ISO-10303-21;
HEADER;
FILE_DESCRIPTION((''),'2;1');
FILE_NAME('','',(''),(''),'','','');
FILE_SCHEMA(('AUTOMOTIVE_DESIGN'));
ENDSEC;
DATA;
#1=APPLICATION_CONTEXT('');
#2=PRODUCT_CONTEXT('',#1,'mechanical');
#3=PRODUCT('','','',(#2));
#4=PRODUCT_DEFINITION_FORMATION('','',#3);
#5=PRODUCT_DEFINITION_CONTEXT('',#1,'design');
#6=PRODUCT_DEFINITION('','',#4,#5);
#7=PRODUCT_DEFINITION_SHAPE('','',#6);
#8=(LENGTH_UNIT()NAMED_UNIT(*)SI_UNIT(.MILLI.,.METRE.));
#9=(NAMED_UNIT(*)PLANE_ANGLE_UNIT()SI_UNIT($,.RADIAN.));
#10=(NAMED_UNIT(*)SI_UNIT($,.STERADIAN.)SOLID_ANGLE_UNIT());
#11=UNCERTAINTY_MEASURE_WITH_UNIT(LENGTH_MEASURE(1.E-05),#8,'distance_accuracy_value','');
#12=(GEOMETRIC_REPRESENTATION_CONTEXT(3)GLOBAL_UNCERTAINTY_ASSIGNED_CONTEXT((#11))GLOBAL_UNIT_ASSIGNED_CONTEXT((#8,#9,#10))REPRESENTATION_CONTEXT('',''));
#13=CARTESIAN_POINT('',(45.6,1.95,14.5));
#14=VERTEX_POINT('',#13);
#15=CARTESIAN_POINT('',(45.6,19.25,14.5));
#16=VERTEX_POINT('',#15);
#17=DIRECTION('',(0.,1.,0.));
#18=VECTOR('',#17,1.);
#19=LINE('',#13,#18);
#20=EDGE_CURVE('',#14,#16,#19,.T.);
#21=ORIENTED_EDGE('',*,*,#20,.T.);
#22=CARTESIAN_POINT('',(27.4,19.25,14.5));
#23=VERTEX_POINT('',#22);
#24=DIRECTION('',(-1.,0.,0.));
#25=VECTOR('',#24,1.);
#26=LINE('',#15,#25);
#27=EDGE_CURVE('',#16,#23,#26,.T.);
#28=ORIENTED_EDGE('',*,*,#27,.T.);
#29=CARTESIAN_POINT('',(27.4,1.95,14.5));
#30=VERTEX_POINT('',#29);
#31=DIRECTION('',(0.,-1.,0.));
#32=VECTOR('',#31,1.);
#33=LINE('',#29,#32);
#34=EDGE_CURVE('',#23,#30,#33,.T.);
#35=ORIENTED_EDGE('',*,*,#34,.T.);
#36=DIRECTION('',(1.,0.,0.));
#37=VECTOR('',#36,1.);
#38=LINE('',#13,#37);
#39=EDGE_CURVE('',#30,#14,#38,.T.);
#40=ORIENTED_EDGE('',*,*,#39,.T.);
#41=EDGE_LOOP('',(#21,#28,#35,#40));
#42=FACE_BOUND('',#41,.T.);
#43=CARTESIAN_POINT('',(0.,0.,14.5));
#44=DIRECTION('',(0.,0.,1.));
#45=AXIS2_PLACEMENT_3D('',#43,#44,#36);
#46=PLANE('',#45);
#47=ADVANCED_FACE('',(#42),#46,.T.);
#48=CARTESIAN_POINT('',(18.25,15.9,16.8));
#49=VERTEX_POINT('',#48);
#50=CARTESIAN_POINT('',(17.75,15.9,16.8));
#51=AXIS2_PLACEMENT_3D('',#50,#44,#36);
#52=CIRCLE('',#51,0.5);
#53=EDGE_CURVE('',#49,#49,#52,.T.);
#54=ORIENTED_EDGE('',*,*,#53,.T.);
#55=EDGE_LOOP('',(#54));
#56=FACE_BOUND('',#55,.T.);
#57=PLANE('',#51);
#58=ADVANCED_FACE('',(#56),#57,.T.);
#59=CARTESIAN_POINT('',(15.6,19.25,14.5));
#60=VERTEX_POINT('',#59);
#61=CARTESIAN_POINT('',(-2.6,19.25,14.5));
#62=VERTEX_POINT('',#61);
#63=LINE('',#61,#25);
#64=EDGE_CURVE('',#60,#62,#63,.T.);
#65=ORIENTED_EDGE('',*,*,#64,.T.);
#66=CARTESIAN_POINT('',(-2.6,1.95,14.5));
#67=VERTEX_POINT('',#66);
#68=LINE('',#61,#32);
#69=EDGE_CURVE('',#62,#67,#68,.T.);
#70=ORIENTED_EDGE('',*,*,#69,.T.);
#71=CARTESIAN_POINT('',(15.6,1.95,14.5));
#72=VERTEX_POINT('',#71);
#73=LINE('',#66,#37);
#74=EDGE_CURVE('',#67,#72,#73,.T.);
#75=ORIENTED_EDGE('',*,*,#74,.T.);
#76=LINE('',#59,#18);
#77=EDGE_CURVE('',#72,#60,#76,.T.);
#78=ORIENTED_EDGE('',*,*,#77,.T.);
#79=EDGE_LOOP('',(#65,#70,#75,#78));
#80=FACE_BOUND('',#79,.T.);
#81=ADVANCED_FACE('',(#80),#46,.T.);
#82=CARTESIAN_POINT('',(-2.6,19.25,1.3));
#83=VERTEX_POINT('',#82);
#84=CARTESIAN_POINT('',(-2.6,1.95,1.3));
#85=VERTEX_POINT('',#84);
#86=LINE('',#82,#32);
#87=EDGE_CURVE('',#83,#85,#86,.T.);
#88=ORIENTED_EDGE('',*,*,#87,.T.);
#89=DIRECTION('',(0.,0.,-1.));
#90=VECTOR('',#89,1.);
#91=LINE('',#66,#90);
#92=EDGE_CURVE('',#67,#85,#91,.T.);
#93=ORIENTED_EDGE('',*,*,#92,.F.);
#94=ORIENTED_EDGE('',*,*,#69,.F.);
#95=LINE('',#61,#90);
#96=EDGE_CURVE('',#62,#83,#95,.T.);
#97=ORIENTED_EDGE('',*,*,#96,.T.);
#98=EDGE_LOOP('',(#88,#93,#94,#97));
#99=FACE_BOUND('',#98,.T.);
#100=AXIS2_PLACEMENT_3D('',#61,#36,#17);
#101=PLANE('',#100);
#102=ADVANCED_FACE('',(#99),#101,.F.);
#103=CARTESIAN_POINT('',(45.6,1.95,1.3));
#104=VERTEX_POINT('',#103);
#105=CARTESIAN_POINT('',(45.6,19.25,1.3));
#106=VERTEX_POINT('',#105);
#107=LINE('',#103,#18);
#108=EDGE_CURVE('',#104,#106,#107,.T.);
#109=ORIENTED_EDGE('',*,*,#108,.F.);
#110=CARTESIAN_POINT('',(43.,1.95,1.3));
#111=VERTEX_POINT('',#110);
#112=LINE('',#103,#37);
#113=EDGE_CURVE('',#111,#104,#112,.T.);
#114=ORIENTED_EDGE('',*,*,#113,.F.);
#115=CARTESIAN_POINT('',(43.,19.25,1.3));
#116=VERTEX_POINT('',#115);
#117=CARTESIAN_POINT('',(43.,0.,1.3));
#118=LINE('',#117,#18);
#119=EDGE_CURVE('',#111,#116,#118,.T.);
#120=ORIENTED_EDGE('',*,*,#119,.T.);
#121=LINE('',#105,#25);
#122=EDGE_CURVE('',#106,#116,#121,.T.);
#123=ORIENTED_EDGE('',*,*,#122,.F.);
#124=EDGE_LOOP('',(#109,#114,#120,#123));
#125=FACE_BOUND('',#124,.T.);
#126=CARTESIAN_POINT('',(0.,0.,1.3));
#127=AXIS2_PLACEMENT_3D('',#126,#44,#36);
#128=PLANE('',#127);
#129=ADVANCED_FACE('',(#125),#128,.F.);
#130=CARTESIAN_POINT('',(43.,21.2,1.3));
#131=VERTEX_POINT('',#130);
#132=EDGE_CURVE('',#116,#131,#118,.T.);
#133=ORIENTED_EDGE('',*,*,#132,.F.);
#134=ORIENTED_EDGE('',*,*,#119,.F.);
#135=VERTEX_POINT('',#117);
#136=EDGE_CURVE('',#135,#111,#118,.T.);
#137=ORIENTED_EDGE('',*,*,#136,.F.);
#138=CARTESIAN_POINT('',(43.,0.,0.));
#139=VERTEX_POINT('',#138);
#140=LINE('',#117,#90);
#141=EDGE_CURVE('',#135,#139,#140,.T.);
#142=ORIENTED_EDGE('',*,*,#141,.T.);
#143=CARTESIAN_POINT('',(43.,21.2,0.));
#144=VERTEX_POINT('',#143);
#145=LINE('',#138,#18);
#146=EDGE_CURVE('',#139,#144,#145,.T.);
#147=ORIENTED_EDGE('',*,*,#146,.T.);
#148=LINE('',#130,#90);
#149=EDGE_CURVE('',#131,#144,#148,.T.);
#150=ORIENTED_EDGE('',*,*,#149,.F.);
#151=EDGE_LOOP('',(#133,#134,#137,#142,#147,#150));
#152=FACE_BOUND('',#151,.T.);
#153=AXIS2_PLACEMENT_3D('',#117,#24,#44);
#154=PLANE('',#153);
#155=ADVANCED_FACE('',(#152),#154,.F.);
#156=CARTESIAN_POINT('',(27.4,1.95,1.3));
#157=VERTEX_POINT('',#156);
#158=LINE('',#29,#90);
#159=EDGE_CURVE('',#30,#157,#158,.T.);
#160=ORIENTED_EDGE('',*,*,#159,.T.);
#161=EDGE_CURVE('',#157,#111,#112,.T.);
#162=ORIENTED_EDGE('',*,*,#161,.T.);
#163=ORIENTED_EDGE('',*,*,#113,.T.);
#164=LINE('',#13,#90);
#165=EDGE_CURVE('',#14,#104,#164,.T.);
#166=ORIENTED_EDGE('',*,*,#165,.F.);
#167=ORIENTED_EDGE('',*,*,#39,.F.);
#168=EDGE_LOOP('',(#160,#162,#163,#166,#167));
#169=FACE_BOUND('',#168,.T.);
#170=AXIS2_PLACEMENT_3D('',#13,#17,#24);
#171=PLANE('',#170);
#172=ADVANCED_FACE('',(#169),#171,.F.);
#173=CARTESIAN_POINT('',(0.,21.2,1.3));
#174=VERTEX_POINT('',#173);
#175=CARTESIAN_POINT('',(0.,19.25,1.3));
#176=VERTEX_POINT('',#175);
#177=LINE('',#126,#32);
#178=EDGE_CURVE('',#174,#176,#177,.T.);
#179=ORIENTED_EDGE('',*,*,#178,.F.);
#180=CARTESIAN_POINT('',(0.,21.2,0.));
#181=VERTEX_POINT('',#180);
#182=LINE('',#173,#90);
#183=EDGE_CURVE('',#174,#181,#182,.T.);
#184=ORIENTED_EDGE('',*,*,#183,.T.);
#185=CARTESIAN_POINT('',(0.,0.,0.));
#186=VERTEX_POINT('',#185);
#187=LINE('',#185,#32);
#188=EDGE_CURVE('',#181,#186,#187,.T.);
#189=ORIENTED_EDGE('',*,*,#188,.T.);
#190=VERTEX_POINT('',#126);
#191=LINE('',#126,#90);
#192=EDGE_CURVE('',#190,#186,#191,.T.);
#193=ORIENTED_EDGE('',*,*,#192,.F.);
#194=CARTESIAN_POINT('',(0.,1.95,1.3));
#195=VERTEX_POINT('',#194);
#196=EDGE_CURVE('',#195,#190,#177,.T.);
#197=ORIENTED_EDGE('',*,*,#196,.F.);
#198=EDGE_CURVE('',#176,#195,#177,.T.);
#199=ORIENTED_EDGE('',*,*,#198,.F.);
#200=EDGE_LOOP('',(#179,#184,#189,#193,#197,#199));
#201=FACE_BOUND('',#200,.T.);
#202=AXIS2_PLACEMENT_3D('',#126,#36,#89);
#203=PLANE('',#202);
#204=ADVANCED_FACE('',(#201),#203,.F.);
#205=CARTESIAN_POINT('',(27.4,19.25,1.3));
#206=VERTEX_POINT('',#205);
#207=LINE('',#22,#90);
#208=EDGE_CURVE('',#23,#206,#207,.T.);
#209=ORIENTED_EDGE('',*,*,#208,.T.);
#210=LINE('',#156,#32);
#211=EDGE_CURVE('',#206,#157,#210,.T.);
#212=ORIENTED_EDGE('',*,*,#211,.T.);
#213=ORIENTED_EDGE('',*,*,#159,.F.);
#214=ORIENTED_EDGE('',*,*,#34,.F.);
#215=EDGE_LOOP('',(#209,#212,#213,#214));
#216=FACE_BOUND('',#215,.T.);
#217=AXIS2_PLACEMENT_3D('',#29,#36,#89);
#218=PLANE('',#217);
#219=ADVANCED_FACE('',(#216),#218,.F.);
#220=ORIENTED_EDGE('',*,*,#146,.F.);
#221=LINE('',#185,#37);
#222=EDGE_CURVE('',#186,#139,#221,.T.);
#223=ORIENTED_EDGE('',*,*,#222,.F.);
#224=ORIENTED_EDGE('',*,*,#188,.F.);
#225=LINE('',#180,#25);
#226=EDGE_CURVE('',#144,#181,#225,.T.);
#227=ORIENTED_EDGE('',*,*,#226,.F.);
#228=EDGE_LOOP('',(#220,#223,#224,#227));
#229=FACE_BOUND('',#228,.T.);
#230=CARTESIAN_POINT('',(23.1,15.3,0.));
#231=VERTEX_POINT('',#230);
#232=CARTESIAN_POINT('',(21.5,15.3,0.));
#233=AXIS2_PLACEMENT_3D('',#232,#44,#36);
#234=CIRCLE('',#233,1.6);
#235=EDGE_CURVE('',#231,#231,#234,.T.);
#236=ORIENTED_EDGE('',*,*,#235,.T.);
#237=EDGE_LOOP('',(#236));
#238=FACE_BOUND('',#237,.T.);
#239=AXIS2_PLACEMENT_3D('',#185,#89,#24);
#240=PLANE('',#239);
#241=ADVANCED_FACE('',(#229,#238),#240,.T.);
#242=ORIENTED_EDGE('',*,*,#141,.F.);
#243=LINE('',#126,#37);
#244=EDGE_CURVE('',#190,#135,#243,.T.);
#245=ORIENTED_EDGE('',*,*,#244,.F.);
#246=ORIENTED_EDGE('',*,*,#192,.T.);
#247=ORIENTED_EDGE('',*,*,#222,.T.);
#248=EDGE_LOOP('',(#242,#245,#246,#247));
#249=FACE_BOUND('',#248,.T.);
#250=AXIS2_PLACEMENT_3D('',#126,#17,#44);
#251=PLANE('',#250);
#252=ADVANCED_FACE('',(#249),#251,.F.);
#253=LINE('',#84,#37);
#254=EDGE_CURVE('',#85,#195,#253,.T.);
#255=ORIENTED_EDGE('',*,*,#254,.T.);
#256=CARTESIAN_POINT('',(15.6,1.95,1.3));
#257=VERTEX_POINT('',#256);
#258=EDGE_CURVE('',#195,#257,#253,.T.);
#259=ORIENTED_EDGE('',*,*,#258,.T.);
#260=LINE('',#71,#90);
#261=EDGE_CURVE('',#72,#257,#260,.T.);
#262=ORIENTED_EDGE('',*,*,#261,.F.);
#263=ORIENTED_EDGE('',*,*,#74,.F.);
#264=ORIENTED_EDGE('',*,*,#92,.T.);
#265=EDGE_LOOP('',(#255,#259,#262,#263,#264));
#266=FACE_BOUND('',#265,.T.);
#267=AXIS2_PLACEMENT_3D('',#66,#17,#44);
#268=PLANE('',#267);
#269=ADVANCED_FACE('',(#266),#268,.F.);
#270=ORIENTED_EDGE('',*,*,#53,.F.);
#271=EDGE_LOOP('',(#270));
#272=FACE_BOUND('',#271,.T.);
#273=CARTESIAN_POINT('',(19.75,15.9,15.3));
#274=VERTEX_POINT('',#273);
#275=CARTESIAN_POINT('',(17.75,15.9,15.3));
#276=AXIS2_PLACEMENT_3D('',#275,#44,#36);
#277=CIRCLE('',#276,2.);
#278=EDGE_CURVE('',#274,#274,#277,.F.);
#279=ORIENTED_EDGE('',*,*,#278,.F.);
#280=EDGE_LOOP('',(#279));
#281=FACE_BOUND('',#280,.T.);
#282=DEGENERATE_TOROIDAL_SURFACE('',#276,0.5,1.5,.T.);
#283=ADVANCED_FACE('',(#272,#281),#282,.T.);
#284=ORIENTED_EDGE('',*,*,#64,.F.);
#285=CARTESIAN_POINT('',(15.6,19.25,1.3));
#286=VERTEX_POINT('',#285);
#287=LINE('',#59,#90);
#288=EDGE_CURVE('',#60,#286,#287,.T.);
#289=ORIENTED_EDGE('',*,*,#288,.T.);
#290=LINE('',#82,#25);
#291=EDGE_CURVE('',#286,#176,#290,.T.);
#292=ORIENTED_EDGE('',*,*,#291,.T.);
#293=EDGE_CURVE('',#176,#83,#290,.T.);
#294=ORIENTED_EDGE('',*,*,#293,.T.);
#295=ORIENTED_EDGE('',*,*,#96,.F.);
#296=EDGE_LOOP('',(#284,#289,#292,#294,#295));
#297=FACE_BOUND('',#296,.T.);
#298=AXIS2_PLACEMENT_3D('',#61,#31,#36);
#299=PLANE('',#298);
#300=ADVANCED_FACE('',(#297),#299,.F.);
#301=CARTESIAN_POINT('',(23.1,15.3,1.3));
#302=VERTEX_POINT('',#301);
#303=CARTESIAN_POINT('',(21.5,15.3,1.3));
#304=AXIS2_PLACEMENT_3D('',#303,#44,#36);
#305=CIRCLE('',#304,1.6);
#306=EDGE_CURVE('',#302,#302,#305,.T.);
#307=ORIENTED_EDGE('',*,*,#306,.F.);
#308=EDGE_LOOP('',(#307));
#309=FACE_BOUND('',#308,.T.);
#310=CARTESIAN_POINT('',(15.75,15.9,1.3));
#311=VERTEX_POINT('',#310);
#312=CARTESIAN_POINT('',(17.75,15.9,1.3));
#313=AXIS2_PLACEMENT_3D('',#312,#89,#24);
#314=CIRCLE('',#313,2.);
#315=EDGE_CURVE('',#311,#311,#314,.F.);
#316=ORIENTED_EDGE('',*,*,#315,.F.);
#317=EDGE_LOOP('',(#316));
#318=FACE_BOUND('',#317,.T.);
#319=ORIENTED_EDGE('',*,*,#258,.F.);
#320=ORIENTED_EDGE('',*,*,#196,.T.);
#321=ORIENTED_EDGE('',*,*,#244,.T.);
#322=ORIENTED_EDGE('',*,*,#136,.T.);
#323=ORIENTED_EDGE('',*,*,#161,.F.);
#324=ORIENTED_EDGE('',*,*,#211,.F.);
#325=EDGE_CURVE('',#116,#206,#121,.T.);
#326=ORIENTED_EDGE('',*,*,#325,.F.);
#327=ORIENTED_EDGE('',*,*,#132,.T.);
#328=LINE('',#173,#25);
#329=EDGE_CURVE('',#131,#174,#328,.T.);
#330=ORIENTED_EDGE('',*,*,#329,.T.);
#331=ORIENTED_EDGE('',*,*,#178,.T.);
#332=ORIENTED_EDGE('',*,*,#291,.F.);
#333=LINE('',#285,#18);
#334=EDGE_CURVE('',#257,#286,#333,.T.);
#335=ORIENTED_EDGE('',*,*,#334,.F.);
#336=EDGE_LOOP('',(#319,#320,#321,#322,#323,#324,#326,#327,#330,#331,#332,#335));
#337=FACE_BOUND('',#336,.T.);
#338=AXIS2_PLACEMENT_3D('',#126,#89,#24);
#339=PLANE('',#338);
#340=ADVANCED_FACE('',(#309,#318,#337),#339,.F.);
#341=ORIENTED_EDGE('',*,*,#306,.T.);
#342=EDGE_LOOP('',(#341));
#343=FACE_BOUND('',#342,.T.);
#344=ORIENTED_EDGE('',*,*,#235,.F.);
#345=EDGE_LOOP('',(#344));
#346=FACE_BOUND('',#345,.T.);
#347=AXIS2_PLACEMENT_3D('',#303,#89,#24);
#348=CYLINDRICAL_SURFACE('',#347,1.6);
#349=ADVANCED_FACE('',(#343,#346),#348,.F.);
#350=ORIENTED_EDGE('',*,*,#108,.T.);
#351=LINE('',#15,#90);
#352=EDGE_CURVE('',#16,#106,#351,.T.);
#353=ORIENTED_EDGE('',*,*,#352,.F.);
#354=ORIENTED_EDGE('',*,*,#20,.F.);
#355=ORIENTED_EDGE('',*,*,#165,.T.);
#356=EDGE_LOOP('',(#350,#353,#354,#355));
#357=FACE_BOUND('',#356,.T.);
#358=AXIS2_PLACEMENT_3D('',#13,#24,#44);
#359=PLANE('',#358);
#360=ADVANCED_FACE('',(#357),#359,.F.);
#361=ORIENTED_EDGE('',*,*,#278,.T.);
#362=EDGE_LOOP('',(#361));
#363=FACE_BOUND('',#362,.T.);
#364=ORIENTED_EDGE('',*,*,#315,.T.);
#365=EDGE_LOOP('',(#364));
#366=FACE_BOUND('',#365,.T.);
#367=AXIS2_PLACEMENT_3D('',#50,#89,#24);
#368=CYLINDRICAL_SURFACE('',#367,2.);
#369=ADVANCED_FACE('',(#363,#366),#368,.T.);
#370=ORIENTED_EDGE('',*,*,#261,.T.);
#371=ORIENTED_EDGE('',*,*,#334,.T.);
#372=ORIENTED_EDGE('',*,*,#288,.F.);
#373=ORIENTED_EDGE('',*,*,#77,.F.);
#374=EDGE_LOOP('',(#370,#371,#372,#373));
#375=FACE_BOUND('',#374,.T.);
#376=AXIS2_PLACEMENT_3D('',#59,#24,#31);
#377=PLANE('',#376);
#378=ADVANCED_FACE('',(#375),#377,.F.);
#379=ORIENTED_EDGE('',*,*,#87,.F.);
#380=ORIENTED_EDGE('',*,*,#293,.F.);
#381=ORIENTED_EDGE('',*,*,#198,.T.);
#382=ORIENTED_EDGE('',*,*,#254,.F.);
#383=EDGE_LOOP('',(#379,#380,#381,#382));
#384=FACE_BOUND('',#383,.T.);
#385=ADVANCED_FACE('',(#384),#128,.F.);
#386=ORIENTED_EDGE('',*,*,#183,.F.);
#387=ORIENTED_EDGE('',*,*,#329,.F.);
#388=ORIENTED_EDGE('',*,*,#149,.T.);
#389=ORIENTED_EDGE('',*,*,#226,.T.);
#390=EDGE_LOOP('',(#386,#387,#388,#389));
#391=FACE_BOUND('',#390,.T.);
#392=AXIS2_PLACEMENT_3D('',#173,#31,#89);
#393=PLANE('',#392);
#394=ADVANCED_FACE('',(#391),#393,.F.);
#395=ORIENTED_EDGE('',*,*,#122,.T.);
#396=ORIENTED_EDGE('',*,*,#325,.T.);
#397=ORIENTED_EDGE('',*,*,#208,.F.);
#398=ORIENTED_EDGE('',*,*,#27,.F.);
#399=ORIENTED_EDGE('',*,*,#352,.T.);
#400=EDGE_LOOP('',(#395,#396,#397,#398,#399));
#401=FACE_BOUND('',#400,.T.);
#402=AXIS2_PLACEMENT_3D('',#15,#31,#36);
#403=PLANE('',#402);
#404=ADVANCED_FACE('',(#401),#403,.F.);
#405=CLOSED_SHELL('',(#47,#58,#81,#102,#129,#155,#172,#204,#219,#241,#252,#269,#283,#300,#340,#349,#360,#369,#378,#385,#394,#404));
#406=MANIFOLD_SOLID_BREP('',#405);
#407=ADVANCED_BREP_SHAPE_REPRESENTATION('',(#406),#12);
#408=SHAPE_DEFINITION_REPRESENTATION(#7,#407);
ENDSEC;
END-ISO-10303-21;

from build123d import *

# Parameters (mm, degrees)
SKETCH1_W           = 43
SKETCH1_H           = 21.2
SKETCH1_R           = 1.6
BOSS_EXTRUDE1_DEPTH = 1.3
SKETCH2_R           = 2
BOSS_EXTRUDE2_DEPTH = 15.5
FILLET1_R           = 1.5
SKETCH3_W           = 18.2
SKETCH3_H           = 17.3
BOSS_EXTRUDE3_DEPTH = 13.2


with BuildPart() as part:
    # Sketch1 → Boss-Extrude1 (new body)
    with BuildSketch(Plane.XY):
        with Locations((21.5, 10.6)):
            Rectangle(SKETCH1_W, SKETCH1_H)
        with Locations((21.5, 15.3)):
            Circle(SKETCH1_R, mode=Mode.SUBTRACT)
    extrude(amount=BOSS_EXTRUDE1_DEPTH)

    # Sketch2 → Boss-Extrude2 (add)
    with BuildSketch(Plane.XY.offset(1.3)):
        with Locations(Location((17.75, 15.9, 0), (0, 0, 180))):
            Circle(SKETCH2_R)
    extrude(amount=BOSS_EXTRUDE2_DEPTH)

    # Fillet1
    fillet1_edges = [part.edges().sort_by_distance(p)[0] for p in [
        (19.75, 15.9, 16.8),
    ]]
    fillet(fillet1_edges, radius=FILLET1_R)

    # Sketch3 → Boss-Extrude3 (add)
    with BuildSketch(Plane.XY.offset(1.3)):
        with Locations((36.5, 10.6)):
            Rectangle(SKETCH3_W, SKETCH3_H)
        with Locations((6.5, 10.6)):
            Rectangle(SKETCH3_W, SKETCH3_H)
    extrude(amount=BOSS_EXTRUDE3_DEPTH)


solid = part.part
